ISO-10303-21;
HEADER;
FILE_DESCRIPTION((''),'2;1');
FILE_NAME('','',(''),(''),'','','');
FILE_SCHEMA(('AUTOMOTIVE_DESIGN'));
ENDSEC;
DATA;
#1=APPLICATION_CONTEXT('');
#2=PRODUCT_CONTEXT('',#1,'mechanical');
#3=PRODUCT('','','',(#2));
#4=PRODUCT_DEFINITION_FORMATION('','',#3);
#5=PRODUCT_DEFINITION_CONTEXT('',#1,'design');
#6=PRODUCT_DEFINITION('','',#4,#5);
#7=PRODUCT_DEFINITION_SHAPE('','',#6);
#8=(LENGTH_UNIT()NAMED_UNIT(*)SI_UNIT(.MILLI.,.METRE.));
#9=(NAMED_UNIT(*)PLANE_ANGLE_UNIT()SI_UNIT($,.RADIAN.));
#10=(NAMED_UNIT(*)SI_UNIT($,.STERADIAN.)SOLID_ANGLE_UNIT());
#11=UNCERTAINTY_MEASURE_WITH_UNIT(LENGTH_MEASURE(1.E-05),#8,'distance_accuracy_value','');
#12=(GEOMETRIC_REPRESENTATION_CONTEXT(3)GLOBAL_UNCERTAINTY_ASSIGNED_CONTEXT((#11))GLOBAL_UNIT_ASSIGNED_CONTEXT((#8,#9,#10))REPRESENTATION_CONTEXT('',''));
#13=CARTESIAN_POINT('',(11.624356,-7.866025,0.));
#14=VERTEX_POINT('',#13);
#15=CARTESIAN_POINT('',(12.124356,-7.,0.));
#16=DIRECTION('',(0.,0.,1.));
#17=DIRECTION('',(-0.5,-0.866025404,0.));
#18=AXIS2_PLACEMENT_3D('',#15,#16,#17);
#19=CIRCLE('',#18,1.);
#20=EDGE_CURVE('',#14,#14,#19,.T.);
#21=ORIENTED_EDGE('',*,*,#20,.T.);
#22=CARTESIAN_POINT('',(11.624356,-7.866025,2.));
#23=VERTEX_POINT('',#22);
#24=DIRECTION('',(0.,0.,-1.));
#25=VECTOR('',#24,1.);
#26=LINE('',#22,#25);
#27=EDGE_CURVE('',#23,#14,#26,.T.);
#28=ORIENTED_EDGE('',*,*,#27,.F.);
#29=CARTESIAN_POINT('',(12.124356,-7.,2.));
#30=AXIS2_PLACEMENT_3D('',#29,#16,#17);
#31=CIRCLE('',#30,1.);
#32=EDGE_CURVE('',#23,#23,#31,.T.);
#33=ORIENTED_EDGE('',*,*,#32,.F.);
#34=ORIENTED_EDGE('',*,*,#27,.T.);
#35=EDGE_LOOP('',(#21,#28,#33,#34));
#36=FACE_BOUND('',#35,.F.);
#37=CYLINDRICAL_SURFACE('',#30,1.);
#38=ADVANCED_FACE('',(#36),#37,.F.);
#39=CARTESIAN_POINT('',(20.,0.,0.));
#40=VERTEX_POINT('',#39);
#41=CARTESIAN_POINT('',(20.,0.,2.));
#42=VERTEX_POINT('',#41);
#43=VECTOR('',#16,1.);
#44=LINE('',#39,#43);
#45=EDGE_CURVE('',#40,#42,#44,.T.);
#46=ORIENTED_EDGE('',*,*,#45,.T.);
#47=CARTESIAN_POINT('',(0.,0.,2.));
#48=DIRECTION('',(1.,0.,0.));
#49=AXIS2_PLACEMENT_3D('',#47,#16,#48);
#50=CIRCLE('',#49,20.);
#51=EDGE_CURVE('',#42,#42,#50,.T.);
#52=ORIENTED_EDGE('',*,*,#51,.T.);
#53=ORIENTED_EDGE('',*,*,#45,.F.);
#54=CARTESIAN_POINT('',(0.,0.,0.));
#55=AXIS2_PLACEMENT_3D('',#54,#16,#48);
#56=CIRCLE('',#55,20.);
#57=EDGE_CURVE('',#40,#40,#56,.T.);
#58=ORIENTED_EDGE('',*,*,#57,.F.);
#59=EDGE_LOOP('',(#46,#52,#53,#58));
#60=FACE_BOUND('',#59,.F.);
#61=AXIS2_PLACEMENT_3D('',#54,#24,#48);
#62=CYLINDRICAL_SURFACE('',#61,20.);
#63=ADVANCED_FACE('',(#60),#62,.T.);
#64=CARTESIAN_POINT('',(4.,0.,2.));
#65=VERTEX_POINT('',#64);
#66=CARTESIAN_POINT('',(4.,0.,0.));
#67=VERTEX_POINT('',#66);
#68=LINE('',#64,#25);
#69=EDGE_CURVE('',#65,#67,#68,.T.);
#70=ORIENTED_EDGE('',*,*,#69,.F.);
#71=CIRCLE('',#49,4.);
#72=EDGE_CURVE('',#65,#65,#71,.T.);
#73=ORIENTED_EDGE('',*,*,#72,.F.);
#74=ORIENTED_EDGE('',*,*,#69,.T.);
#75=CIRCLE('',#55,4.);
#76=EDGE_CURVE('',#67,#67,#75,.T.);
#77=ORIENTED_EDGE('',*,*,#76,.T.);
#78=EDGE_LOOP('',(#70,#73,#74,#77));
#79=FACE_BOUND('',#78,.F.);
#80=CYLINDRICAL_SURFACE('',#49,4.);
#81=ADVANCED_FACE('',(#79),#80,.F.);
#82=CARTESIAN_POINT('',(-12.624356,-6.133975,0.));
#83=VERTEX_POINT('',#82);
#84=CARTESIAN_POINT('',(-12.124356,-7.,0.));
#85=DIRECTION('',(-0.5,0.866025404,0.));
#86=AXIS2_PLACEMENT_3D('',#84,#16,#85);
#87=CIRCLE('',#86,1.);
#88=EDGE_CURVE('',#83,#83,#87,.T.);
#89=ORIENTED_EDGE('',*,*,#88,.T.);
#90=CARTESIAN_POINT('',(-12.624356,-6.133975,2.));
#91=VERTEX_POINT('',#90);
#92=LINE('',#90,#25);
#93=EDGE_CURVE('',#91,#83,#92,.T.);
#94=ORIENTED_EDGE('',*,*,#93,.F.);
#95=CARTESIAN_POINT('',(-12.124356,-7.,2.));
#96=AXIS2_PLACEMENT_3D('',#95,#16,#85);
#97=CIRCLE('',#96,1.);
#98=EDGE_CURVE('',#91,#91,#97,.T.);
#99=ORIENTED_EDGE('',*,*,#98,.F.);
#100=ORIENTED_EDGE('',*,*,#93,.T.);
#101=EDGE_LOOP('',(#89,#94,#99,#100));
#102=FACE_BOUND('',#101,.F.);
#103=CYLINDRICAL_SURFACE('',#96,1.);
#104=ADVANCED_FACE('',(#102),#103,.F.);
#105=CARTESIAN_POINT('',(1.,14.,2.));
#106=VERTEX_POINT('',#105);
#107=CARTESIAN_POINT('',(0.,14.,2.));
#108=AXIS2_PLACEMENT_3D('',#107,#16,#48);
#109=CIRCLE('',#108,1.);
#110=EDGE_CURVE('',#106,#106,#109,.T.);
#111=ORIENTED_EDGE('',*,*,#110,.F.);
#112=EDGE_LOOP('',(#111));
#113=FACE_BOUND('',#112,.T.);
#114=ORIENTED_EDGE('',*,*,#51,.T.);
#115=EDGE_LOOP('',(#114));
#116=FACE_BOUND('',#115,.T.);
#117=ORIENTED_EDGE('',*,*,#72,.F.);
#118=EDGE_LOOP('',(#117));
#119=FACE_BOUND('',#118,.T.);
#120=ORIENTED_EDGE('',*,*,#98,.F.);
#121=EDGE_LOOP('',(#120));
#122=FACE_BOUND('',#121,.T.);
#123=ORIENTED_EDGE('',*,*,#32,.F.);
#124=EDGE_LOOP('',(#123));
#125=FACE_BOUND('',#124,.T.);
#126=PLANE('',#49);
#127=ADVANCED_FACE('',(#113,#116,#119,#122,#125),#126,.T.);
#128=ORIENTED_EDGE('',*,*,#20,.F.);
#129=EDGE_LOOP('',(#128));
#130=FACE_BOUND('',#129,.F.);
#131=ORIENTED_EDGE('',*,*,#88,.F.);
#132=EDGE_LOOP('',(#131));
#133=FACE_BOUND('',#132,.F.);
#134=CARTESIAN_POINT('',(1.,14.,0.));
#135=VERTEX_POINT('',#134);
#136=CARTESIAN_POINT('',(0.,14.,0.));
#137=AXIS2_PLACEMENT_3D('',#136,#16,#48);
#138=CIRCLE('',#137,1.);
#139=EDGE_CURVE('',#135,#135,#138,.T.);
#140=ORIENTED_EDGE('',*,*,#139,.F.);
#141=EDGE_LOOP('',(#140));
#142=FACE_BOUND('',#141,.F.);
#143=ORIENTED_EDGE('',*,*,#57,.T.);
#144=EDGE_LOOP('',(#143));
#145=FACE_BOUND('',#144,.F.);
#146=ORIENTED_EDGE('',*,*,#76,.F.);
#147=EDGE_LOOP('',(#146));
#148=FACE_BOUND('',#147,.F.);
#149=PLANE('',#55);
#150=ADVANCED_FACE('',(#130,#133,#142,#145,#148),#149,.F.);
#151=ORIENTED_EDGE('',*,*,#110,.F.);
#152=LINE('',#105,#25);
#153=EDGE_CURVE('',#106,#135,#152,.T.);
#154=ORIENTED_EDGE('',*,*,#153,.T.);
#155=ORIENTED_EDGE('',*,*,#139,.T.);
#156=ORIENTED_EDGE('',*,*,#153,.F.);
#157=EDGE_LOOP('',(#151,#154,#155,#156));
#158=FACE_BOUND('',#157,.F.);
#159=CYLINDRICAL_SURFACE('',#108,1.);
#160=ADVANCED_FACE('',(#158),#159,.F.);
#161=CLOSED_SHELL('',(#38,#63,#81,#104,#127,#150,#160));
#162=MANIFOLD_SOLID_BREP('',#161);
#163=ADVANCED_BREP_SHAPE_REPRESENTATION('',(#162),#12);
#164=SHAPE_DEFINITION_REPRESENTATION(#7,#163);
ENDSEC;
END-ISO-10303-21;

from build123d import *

# Parameters (mm, degrees)
SKETCH_1_R               = 20
EXTRUDE_1_DEPTH          = 2
SKETCH_2_R               = 1
CUT_EXTRUDE_1_DEPTH      = 2
PATTERN_CIRCULAR_1_COUNT = 3
SKETCH_3_R               = 4
CUT_EXTRUDE_2_DEPTH      = 2


with BuildPart() as part:
    # 草图1 → 凸台-拉伸1 (new body)
    with BuildSketch(Plane.XY):
        Circle(SKETCH_1_R)
    extrude(amount=EXTRUDE_1_DEPTH)

    # 草图2 → 切除-拉伸1 (cut)
    with BuildSketch(Plane.XY.offset(2)):
        with Locations((0, 14)):
            Circle(SKETCH_2_R)
    cut_extrude_1 = extrude(amount=-CUT_EXTRUDE_1_DEPTH, mode=Mode.SUBTRACT)

    # 阵列(圆周)1: 切除-拉伸1 ×3 about axis
    pattern_circular_1_axis = Axis((0, 0, 0), (0, 0, 1))
    for i in range(1, PATTERN_CIRCULAR_1_COUNT):
        add(cut_extrude_1.rotate(pattern_circular_1_axis, i * 360 / PATTERN_CIRCULAR_1_COUNT), mode=Mode.SUBTRACT)

    # 草图3 → 切除-拉伸2 (cut)
    with BuildSketch(Plane.XY.offset(2)):
        Circle(SKETCH_3_R)
    extrude(amount=-CUT_EXTRUDE_2_DEPTH, mode=Mode.SUBTRACT)


solid = part.part
